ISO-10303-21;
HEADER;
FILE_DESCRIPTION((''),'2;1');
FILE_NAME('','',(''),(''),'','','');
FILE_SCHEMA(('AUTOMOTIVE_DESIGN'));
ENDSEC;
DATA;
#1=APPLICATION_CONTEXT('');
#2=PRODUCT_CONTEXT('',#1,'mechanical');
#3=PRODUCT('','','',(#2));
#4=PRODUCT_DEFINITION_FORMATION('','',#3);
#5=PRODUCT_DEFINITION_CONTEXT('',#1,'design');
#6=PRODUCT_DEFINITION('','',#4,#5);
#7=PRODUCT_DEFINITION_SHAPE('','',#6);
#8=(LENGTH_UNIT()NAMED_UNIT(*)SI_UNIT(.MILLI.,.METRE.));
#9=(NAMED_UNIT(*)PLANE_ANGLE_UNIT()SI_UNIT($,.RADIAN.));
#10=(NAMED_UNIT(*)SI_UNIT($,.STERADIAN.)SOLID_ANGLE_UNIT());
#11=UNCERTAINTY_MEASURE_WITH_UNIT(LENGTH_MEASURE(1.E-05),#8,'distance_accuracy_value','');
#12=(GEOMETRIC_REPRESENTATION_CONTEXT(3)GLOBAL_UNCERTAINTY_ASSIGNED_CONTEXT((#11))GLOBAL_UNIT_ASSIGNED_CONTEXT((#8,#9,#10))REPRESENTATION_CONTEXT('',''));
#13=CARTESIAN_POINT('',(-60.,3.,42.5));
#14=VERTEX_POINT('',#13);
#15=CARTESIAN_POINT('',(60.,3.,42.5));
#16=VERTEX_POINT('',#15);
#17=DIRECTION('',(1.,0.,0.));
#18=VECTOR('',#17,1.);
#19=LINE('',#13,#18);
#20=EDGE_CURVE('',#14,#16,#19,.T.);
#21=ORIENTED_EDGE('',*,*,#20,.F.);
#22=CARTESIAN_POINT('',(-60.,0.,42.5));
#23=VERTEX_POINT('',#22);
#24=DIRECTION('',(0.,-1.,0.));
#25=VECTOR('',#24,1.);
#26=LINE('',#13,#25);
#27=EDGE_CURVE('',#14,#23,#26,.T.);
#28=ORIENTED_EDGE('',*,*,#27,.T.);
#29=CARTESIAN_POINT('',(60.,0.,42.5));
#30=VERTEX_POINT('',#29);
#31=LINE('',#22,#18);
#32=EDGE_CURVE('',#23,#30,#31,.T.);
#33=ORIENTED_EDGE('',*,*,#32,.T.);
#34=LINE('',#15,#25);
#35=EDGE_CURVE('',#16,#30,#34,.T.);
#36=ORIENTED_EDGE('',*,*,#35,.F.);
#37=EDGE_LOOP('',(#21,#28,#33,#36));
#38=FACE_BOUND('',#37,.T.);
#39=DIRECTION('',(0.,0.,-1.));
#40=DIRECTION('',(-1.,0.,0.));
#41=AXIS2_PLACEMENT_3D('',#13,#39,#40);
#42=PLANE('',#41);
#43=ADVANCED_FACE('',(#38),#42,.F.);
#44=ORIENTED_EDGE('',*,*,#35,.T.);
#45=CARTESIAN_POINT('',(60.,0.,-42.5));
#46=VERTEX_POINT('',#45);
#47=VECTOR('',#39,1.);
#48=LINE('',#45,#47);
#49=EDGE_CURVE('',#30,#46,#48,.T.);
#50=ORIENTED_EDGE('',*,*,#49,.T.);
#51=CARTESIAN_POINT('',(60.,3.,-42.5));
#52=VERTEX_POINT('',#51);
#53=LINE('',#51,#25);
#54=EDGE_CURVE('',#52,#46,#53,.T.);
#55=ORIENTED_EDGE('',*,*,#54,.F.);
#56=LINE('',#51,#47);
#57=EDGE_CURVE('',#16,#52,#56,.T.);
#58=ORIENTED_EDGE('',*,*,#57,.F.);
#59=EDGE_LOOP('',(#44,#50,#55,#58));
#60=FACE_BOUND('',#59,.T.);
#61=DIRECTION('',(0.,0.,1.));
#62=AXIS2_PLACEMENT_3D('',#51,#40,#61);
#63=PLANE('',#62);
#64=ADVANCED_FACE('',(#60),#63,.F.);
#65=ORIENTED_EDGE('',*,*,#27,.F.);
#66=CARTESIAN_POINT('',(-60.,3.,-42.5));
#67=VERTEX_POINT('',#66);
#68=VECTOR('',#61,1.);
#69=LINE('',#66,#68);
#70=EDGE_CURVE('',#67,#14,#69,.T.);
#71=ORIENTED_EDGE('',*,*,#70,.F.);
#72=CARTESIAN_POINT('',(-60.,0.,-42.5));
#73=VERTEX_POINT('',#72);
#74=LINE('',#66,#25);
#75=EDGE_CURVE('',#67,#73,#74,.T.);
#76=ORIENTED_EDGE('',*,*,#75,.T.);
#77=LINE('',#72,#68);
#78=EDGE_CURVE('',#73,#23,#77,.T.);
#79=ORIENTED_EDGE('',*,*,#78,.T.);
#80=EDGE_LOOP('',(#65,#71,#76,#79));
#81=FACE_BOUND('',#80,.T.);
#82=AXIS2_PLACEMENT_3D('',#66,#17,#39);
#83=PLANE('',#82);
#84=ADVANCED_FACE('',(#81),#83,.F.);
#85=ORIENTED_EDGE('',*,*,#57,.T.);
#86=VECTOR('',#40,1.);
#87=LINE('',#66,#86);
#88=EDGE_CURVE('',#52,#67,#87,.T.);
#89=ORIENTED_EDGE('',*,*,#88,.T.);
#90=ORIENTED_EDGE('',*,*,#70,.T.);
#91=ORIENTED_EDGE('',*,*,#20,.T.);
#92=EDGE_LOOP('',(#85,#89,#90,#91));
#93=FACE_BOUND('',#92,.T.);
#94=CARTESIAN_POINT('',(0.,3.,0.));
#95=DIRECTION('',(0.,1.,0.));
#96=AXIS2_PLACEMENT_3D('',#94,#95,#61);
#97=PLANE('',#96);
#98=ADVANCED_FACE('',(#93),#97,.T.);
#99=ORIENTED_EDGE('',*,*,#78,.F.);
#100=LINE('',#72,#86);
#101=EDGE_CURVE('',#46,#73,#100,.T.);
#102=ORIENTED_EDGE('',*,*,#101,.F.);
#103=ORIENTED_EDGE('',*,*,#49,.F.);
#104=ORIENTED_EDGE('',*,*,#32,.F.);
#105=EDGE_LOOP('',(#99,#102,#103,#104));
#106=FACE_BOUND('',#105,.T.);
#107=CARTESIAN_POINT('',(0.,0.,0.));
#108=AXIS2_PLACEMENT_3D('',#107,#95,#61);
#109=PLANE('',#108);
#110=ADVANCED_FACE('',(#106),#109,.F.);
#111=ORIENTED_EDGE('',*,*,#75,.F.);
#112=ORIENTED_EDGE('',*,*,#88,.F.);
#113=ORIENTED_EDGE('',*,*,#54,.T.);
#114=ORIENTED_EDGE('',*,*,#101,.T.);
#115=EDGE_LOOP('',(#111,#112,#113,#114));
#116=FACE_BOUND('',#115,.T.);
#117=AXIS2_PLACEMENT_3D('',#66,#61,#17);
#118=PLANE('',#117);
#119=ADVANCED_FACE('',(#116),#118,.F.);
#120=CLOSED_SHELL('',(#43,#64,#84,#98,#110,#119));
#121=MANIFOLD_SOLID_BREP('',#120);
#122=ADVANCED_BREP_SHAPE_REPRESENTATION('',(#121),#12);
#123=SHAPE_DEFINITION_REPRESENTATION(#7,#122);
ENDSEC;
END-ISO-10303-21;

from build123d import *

# Parameters (mm, degrees)
SKETCH_1_W      = 120
SKETCH_1_H      = 85
EXTRUDE_1_DEPTH = 3


with BuildPart() as part:
    # Эскиз1 → Бобышка-Вытянуть1 (new body)
    with BuildSketch(Plane(origin=(0, 0, 0), x_dir=(1, 0, 0), z_dir=(0, 1, 0))):
        Rectangle(SKETCH_1_W, SKETCH_1_H)
    extrude(amount=EXTRUDE_1_DEPTH)


solid = part.part
